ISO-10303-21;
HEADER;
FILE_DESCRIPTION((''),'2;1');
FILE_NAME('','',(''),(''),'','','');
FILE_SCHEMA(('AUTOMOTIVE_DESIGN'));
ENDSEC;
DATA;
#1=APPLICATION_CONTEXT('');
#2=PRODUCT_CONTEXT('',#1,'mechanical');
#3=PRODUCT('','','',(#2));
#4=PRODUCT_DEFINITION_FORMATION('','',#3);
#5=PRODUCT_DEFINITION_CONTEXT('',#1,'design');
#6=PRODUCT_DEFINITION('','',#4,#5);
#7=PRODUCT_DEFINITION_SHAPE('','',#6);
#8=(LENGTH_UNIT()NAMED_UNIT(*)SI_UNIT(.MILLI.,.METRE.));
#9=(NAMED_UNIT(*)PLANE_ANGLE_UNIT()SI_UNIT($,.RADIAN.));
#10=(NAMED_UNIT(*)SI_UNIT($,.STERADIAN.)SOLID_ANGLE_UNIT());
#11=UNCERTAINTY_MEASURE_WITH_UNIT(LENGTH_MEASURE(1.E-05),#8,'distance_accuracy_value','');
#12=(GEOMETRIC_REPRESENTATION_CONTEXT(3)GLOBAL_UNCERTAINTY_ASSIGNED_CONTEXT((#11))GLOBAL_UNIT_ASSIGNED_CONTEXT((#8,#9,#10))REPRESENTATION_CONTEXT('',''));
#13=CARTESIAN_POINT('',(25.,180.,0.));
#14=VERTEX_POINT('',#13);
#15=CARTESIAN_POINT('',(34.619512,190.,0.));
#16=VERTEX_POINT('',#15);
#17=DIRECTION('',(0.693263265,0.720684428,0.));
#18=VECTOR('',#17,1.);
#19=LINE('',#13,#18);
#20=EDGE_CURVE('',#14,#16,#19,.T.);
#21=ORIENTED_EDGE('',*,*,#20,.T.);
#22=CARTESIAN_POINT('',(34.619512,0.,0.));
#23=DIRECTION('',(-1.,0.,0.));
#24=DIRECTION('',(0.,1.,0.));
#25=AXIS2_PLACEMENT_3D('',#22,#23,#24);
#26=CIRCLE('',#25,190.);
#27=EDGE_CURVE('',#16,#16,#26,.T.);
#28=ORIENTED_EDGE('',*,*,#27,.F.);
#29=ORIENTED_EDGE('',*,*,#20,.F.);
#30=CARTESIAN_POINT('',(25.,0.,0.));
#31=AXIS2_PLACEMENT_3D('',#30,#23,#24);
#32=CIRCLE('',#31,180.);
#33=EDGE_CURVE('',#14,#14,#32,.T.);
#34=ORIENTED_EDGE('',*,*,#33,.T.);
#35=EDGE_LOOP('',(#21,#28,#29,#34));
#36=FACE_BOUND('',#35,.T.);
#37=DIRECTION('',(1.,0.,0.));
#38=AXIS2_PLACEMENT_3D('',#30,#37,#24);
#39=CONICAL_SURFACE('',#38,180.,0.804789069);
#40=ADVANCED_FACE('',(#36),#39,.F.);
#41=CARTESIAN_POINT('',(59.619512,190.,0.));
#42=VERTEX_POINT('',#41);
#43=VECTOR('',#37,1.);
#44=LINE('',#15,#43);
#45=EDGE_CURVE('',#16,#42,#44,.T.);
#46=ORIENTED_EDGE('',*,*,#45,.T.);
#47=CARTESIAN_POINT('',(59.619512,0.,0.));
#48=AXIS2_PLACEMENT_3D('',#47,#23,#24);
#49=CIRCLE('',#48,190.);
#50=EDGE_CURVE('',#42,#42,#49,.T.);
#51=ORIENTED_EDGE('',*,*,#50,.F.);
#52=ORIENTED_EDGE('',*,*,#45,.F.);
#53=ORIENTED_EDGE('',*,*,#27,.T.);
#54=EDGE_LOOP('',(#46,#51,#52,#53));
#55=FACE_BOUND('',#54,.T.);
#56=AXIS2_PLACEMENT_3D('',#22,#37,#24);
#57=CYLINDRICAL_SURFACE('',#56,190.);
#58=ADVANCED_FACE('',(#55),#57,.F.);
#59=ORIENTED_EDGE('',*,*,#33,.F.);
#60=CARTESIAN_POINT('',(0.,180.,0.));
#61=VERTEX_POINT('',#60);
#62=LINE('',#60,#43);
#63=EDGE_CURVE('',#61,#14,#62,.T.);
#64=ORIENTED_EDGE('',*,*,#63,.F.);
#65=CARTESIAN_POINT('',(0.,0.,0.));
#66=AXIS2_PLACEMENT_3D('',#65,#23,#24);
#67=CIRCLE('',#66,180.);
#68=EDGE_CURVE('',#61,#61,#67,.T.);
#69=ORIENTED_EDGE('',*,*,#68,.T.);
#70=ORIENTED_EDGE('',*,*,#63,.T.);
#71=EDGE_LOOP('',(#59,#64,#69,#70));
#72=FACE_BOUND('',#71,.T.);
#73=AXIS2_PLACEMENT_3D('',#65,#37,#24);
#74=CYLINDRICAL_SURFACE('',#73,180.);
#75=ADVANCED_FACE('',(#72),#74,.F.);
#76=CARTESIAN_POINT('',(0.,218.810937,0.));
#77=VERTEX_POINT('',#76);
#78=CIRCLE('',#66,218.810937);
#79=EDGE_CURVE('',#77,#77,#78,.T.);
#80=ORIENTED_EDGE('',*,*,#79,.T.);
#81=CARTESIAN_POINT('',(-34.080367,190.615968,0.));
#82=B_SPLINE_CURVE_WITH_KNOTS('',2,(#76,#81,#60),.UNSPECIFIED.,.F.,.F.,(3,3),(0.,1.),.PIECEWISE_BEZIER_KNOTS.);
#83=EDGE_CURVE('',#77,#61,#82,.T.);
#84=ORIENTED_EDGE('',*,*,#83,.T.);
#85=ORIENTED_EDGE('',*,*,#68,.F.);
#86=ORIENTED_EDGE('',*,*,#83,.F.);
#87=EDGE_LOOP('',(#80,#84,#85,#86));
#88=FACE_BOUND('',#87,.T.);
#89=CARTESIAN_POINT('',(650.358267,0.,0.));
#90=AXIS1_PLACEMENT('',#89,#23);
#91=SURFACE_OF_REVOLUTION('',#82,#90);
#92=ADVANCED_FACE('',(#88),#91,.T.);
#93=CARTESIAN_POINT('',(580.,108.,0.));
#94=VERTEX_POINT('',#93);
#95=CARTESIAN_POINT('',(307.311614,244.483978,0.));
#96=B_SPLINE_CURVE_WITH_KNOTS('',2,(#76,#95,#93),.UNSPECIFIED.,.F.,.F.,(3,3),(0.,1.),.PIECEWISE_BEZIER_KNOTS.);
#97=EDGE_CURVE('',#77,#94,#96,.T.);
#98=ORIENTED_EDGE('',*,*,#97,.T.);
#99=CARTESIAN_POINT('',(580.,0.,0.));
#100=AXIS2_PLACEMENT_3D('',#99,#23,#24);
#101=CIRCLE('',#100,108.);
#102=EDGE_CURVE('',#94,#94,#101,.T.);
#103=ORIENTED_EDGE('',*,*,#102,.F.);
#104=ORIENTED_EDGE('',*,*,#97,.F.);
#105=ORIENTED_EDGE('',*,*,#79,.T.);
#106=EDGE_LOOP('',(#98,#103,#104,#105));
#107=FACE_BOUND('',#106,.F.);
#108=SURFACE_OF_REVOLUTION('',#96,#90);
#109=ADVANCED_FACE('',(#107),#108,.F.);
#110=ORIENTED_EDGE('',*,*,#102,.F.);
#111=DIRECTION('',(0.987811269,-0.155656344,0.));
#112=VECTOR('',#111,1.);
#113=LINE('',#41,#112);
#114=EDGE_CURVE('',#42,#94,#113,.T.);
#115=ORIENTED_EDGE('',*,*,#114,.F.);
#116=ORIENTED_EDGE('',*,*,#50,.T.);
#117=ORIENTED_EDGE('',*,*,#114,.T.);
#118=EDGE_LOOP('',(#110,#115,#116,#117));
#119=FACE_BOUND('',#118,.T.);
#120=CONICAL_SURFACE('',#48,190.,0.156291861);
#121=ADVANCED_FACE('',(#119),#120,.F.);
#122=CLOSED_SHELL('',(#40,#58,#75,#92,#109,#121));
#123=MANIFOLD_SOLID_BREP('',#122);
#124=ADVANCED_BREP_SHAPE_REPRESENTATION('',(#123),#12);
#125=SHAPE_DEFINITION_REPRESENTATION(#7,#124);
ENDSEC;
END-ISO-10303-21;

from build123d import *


with BuildPart() as part:
    # Sketch1 → Revolve1 (revolve)
    with BuildSketch(Plane.XY):
        with BuildLine():
            Line((0, 180), (25, 180))
            Line((25, 180), (34.619512209, 190))
            Line((34.619512209, 190), (59.619512209, 190))
            Line((59.619512209, 190), (580, 108))
            add(Edge.make_bspline(
                [(0, 218.810936871), (307.311613767, 244.48397788), (580, 108)],
                knots=[0, 0, 0, 1, 1, 1], degree=2))
            add(Edge.make_bspline(
                [(0, 218.810936871), (-34.080366536, 190.615967809), (0, 180)],
                knots=[0, 0, 0, 1, 1, 1], degree=2))
        make_face()
    revolve(axis=Axis((650.358266609, 0, 0), (-1, 0, 0)))


solid = part.part
